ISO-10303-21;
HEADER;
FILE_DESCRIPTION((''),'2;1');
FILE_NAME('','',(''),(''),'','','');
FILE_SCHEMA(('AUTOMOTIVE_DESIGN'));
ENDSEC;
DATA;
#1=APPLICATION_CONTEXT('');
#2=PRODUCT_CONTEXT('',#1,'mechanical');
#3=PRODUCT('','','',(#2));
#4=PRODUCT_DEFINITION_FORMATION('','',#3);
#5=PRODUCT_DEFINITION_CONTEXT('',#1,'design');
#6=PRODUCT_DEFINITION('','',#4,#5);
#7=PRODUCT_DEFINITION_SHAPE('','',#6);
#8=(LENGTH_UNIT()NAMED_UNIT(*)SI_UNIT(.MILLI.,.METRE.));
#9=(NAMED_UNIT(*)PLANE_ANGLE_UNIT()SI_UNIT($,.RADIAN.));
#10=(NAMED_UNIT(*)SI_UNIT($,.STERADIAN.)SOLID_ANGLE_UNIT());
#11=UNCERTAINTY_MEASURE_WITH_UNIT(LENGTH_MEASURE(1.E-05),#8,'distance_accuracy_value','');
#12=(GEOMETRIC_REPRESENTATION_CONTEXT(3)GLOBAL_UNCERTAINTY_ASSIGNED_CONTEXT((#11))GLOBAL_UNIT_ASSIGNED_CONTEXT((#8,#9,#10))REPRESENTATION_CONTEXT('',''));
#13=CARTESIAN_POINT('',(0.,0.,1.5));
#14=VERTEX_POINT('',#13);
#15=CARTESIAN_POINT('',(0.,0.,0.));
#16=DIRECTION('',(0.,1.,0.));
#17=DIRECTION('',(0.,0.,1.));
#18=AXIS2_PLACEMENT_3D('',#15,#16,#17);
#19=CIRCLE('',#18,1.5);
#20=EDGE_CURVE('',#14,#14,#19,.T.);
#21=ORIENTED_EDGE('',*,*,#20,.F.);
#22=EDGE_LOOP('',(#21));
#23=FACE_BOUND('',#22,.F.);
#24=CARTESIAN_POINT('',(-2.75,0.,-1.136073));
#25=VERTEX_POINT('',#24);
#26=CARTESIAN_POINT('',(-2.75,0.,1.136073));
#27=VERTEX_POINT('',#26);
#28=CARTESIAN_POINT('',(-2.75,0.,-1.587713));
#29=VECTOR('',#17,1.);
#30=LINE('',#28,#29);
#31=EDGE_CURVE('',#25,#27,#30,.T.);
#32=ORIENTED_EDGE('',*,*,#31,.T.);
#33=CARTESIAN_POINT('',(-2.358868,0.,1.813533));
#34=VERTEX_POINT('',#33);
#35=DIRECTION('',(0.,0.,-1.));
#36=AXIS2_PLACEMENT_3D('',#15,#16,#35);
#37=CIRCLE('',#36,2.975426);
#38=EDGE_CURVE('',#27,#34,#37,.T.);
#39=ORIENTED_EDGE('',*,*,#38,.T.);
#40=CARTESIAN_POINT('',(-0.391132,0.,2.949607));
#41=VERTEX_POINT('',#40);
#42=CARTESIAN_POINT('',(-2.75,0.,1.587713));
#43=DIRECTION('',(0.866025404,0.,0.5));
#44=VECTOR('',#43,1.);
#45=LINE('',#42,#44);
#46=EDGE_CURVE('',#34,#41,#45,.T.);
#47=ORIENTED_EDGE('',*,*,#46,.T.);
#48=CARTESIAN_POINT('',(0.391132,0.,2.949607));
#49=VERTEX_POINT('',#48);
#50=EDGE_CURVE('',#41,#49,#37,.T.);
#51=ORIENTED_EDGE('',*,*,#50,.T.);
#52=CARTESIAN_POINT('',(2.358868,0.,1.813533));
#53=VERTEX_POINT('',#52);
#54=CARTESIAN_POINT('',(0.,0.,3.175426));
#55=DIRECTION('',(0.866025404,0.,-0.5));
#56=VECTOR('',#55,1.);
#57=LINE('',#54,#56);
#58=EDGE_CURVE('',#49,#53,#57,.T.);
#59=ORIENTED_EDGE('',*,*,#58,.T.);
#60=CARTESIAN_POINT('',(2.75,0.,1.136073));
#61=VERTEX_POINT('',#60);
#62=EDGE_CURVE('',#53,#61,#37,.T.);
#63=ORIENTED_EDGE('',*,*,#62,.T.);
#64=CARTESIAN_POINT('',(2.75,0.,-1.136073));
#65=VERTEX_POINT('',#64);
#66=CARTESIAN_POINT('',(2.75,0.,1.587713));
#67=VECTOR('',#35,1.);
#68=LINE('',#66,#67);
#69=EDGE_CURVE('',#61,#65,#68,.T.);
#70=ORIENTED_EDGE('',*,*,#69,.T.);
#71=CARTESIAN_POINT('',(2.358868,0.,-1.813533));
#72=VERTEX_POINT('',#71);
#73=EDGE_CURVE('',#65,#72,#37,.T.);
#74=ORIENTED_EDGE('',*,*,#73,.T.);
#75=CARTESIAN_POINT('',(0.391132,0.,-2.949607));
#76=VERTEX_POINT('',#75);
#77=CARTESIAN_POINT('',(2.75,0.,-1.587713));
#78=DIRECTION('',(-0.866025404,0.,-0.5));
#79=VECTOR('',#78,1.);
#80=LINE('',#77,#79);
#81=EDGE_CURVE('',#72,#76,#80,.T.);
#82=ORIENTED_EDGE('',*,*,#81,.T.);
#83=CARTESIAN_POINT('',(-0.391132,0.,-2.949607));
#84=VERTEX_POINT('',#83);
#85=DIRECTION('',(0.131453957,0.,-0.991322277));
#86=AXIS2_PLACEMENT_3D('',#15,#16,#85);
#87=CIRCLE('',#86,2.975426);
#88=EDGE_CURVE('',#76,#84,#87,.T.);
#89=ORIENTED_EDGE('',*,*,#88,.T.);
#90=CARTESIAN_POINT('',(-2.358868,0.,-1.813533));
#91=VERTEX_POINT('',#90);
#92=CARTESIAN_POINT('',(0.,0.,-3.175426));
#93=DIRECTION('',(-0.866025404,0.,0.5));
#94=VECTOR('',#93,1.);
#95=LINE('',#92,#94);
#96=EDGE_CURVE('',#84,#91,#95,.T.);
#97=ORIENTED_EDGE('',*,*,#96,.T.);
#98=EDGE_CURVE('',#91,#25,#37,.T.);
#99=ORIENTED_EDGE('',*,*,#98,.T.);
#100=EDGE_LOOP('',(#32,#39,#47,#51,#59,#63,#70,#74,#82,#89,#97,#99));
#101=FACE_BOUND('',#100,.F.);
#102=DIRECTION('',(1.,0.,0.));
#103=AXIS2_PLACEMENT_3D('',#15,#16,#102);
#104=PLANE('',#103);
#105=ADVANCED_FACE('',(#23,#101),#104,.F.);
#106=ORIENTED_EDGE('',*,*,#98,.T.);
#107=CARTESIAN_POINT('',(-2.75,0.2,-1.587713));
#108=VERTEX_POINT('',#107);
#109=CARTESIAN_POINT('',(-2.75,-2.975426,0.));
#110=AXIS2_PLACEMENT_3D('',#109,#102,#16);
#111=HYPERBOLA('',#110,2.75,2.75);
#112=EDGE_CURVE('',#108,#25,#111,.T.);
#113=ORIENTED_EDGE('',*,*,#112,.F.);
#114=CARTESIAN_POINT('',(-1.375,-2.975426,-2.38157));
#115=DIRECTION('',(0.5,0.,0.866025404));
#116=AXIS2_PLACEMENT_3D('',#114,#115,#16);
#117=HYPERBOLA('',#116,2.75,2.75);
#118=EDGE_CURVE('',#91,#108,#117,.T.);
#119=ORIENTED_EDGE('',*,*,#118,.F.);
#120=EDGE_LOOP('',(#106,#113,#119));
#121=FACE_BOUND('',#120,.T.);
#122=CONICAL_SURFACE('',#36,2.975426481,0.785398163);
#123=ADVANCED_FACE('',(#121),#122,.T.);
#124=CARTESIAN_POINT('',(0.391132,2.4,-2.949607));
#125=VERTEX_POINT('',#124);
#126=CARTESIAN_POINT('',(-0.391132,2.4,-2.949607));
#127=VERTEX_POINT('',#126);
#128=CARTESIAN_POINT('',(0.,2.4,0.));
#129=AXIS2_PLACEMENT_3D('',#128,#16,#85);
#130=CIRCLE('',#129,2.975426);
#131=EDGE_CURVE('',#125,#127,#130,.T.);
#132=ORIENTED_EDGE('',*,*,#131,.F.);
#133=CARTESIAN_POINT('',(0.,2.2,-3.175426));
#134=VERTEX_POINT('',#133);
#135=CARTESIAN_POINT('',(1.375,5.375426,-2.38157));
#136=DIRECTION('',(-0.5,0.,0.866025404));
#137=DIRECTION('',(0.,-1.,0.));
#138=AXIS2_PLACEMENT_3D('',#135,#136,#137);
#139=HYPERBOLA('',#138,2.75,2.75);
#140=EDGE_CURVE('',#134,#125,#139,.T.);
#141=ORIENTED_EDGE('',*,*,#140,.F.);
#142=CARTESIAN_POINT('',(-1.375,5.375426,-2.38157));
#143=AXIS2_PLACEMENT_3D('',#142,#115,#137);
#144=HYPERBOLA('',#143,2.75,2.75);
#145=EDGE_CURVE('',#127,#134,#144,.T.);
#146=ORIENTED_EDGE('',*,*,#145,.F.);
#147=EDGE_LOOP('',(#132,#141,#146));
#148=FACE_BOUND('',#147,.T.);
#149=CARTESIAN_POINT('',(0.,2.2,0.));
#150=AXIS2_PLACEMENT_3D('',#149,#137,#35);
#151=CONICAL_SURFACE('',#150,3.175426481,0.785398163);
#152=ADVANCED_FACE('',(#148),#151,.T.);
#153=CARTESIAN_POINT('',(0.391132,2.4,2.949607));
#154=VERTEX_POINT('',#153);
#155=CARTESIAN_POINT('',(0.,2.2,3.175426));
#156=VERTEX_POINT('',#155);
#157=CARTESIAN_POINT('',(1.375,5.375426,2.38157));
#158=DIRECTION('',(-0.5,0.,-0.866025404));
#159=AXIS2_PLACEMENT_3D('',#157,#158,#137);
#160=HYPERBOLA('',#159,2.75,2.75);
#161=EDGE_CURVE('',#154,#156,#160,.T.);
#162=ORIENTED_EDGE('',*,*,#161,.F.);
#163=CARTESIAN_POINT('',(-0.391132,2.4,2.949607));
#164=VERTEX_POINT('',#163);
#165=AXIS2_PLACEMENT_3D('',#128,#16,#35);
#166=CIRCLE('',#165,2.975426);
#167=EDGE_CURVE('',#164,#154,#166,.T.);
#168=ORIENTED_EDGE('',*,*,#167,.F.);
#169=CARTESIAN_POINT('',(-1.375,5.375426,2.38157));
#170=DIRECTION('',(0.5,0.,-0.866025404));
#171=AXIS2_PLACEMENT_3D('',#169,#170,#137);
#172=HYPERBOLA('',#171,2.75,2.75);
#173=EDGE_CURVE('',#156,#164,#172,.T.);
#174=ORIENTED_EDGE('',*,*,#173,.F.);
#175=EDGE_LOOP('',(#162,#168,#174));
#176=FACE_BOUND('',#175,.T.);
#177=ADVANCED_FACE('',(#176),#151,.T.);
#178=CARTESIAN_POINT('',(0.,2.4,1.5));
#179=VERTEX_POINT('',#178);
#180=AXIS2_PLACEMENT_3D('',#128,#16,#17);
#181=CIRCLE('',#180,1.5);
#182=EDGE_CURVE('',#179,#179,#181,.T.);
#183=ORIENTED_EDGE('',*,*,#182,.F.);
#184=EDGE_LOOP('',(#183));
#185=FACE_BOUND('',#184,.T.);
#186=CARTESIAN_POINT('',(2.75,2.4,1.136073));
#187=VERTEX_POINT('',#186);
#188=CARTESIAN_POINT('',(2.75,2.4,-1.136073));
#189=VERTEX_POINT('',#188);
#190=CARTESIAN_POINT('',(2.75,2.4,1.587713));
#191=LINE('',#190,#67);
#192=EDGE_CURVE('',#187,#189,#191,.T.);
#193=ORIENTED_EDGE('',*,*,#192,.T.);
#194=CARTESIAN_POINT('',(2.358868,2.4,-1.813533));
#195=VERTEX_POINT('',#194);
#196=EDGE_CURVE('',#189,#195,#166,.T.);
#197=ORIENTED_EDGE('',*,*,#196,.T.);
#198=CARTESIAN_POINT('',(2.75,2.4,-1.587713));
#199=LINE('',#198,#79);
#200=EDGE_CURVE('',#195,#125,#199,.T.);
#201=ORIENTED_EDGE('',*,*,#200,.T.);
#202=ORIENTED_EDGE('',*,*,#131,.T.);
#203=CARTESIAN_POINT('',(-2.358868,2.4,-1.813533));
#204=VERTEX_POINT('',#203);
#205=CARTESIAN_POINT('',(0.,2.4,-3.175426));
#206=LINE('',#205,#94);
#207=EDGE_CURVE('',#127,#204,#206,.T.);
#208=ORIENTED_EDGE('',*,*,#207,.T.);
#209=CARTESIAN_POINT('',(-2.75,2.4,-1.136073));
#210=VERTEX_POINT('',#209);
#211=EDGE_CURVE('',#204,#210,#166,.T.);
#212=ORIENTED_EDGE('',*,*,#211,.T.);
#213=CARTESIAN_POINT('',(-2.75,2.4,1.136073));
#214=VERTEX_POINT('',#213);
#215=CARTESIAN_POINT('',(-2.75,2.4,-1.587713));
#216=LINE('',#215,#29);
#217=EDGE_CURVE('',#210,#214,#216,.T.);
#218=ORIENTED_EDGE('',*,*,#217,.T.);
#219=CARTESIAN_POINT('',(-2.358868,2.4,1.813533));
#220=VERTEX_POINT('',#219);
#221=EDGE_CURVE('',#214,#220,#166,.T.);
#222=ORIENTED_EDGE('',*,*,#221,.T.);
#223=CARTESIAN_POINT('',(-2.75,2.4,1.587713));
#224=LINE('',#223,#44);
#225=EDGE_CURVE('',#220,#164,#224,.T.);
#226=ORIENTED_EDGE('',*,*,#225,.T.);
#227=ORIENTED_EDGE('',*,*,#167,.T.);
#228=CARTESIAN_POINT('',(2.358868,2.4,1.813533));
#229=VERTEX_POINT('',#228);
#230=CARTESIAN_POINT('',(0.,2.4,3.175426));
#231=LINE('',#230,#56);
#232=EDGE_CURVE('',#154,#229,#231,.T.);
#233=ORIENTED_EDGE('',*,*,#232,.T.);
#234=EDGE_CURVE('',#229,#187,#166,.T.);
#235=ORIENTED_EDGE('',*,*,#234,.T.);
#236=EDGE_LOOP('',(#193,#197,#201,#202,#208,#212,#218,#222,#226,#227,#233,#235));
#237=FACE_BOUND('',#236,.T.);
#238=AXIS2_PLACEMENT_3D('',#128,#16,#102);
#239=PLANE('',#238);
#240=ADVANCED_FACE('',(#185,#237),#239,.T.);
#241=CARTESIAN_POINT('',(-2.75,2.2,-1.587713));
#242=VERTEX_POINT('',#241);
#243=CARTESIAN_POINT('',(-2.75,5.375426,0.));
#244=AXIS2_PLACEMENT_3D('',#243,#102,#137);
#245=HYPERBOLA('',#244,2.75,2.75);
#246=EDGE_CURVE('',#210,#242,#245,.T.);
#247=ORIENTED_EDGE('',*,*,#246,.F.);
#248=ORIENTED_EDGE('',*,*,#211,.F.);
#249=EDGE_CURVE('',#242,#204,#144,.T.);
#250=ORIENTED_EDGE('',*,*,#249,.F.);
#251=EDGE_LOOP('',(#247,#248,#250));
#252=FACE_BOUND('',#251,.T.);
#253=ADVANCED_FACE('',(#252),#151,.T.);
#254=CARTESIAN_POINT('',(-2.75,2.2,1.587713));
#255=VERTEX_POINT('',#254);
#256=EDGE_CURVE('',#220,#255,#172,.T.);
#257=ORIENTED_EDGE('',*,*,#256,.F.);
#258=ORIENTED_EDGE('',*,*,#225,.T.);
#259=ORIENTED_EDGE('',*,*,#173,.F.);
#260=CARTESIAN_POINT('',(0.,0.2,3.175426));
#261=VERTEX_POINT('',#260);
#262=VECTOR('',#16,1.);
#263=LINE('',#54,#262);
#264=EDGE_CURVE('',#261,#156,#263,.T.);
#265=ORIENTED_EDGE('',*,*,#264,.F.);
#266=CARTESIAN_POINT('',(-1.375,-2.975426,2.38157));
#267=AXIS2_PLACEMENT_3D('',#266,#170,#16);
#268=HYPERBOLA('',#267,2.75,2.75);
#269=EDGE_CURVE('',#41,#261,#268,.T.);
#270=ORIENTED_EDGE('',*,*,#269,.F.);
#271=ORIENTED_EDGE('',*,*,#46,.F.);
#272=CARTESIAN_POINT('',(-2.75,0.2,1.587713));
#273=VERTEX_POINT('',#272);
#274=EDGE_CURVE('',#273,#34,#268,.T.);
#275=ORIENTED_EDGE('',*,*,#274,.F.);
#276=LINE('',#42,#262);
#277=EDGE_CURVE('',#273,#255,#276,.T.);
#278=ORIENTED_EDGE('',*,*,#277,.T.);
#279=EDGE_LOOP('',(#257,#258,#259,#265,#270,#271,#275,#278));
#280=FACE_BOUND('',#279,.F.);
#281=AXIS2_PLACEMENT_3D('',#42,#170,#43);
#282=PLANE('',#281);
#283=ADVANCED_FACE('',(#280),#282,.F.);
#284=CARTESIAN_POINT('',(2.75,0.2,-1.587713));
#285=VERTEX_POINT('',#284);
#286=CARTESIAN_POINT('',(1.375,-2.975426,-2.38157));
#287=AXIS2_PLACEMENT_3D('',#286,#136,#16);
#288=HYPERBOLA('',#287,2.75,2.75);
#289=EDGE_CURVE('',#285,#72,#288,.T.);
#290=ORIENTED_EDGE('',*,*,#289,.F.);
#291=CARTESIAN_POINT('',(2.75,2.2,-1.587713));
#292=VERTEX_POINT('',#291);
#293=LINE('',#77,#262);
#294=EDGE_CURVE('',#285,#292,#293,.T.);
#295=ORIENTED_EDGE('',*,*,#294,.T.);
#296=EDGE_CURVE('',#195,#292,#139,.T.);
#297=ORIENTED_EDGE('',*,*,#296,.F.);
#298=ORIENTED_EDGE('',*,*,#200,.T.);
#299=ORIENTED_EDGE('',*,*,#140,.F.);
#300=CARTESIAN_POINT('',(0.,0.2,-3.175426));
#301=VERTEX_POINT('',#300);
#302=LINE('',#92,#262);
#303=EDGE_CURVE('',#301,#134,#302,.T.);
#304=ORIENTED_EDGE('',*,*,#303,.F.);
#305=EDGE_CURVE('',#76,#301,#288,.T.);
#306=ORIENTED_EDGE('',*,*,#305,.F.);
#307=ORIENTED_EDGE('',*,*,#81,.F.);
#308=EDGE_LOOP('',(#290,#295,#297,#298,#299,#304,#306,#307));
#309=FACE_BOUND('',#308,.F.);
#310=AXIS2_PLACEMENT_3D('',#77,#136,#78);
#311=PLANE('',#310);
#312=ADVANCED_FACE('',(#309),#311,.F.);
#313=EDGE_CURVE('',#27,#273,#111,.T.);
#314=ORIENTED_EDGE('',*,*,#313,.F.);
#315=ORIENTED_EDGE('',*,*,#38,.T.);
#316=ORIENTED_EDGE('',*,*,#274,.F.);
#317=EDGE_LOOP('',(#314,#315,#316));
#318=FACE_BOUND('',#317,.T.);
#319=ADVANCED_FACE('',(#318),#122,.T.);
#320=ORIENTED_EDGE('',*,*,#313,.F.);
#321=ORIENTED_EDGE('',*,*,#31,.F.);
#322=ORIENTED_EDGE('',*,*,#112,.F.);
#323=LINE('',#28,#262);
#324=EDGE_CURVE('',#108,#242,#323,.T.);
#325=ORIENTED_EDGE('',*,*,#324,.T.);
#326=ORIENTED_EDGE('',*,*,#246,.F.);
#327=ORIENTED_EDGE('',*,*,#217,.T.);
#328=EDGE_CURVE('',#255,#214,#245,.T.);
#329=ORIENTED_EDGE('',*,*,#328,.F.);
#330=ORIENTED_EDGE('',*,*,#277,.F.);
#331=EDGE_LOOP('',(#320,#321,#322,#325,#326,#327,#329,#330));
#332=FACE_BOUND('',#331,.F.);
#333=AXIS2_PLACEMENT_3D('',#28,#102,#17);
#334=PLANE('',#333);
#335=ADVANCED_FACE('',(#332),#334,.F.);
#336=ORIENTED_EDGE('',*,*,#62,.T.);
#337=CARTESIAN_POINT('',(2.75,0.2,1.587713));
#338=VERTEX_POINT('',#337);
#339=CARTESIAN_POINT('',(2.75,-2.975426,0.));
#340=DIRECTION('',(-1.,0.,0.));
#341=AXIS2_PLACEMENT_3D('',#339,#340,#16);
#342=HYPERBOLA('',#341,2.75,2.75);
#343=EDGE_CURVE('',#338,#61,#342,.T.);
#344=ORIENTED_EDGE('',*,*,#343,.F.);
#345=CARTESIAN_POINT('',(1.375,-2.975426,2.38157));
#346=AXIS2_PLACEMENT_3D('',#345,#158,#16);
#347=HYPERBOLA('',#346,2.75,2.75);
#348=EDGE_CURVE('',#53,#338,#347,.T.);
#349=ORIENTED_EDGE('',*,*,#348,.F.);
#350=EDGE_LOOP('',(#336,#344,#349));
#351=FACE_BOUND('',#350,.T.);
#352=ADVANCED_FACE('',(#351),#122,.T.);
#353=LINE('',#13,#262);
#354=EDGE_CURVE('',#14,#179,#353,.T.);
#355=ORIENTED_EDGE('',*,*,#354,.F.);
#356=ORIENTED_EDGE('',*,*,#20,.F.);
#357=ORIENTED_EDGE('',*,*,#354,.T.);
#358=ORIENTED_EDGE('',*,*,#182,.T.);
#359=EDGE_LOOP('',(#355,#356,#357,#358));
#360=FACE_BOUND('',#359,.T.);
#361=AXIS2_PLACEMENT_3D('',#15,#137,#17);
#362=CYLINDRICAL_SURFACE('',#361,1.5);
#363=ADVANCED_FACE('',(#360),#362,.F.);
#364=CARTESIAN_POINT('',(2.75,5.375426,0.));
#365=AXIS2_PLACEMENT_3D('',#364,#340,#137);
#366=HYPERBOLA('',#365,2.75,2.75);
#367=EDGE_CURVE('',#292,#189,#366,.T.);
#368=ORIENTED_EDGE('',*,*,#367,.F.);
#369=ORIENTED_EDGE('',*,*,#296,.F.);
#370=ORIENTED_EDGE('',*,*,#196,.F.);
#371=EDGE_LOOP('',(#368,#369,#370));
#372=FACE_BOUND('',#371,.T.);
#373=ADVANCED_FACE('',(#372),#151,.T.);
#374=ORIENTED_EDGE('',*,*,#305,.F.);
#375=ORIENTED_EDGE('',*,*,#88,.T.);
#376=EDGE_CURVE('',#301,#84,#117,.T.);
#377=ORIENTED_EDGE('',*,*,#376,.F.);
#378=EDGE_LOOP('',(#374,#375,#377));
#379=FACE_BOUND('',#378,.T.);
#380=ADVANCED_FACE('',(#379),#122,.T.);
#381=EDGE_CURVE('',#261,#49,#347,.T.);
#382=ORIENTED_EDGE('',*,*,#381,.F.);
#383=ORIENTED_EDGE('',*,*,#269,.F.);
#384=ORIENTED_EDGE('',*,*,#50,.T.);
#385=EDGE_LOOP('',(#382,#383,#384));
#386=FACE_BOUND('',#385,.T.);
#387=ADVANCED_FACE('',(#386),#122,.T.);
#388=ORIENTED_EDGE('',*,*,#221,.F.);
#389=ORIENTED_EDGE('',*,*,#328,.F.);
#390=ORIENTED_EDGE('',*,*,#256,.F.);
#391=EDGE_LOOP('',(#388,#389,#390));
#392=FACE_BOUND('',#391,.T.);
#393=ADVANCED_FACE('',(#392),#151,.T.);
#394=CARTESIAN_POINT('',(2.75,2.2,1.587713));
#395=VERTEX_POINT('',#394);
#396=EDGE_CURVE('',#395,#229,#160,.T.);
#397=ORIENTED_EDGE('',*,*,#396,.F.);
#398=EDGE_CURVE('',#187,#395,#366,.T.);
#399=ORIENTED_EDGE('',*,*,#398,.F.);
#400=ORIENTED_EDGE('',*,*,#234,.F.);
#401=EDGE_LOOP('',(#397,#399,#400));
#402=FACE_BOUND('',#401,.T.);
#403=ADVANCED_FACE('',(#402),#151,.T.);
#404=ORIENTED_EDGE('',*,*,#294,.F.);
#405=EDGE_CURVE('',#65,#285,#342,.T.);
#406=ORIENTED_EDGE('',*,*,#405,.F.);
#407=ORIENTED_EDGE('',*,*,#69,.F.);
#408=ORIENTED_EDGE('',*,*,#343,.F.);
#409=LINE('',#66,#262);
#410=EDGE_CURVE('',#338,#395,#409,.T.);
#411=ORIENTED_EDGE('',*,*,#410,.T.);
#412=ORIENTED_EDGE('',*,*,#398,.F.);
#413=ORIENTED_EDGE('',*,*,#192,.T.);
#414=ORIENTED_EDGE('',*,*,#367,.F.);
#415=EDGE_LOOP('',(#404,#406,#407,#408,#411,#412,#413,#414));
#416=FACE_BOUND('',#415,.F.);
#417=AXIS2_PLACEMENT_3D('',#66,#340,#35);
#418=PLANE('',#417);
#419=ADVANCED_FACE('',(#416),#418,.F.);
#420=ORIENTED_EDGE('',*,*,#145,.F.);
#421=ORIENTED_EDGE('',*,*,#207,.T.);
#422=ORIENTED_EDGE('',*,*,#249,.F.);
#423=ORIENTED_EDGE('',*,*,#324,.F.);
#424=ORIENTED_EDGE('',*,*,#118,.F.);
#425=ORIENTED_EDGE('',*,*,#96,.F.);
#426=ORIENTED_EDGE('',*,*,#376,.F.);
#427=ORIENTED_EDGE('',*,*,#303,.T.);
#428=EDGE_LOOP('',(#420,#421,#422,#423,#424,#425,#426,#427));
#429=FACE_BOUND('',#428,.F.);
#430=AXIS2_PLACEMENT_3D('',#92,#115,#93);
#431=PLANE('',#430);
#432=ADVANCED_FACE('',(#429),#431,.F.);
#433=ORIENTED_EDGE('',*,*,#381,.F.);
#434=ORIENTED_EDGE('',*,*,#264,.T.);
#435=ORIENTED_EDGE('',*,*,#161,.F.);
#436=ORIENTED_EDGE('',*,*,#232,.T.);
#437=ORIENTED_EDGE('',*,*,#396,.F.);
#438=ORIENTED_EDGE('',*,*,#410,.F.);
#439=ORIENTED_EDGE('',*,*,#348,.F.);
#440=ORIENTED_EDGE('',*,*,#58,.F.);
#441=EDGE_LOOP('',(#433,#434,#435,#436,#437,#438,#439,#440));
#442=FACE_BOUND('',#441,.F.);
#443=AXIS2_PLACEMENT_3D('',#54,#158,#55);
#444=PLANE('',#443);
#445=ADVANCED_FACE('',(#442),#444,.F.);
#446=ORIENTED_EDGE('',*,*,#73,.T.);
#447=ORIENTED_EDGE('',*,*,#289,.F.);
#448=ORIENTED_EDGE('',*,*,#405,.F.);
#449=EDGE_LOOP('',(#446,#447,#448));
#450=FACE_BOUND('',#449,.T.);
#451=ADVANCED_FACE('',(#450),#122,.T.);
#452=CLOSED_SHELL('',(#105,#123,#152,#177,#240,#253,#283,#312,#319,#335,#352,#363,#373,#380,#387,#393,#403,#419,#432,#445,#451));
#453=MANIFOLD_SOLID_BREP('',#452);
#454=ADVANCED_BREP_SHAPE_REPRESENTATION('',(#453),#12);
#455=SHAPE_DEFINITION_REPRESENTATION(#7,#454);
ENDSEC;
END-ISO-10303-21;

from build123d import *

# Parameters (mm, degrees)
SKETCH1_R           = 1.5
BOSS_EXTRUDE1_DEPTH = 2.4


with BuildPart() as part:
    # Sketch1 → Boss-Extrude1 (new body)
    with BuildSketch(Plane(origin=(0, 0, 0), x_dir=(1, 0, 0), z_dir=(0, 1, 0))):
        Polygon((0, 3.175426481), (-2.75, 1.58771324), (-2.75, -1.58771324), (0, -3.175426481), (2.75, -1.58771324), (2.75, 1.58771324), align=None)
        with Locations(Location((0, 0, 0), (0, 0, 270))):
            Circle(SKETCH1_R, mode=Mode.SUBTRACT)
    extrude(amount=BOSS_EXTRUDE1_DEPTH)

    # Sketch3 → Cut-Revolve3 (revolve, cut)
    with BuildSketch(Plane(origin=(0, 0, 0), x_dir=(0, 0, -1), z_dir=(1, 0, 0))):
        Polygon((2.975426481, 2.4), (3.175426481, 2.4), (3.175426481, 2.2), align=None)
        Polygon((3.175426481, 0), (2.975426481, 0), (3.175426481, 0.2), align=None)
    revolve(axis=Axis((0, 0, 0), (0, 1, 0)), mode=Mode.SUBTRACT)


solid = part.part
